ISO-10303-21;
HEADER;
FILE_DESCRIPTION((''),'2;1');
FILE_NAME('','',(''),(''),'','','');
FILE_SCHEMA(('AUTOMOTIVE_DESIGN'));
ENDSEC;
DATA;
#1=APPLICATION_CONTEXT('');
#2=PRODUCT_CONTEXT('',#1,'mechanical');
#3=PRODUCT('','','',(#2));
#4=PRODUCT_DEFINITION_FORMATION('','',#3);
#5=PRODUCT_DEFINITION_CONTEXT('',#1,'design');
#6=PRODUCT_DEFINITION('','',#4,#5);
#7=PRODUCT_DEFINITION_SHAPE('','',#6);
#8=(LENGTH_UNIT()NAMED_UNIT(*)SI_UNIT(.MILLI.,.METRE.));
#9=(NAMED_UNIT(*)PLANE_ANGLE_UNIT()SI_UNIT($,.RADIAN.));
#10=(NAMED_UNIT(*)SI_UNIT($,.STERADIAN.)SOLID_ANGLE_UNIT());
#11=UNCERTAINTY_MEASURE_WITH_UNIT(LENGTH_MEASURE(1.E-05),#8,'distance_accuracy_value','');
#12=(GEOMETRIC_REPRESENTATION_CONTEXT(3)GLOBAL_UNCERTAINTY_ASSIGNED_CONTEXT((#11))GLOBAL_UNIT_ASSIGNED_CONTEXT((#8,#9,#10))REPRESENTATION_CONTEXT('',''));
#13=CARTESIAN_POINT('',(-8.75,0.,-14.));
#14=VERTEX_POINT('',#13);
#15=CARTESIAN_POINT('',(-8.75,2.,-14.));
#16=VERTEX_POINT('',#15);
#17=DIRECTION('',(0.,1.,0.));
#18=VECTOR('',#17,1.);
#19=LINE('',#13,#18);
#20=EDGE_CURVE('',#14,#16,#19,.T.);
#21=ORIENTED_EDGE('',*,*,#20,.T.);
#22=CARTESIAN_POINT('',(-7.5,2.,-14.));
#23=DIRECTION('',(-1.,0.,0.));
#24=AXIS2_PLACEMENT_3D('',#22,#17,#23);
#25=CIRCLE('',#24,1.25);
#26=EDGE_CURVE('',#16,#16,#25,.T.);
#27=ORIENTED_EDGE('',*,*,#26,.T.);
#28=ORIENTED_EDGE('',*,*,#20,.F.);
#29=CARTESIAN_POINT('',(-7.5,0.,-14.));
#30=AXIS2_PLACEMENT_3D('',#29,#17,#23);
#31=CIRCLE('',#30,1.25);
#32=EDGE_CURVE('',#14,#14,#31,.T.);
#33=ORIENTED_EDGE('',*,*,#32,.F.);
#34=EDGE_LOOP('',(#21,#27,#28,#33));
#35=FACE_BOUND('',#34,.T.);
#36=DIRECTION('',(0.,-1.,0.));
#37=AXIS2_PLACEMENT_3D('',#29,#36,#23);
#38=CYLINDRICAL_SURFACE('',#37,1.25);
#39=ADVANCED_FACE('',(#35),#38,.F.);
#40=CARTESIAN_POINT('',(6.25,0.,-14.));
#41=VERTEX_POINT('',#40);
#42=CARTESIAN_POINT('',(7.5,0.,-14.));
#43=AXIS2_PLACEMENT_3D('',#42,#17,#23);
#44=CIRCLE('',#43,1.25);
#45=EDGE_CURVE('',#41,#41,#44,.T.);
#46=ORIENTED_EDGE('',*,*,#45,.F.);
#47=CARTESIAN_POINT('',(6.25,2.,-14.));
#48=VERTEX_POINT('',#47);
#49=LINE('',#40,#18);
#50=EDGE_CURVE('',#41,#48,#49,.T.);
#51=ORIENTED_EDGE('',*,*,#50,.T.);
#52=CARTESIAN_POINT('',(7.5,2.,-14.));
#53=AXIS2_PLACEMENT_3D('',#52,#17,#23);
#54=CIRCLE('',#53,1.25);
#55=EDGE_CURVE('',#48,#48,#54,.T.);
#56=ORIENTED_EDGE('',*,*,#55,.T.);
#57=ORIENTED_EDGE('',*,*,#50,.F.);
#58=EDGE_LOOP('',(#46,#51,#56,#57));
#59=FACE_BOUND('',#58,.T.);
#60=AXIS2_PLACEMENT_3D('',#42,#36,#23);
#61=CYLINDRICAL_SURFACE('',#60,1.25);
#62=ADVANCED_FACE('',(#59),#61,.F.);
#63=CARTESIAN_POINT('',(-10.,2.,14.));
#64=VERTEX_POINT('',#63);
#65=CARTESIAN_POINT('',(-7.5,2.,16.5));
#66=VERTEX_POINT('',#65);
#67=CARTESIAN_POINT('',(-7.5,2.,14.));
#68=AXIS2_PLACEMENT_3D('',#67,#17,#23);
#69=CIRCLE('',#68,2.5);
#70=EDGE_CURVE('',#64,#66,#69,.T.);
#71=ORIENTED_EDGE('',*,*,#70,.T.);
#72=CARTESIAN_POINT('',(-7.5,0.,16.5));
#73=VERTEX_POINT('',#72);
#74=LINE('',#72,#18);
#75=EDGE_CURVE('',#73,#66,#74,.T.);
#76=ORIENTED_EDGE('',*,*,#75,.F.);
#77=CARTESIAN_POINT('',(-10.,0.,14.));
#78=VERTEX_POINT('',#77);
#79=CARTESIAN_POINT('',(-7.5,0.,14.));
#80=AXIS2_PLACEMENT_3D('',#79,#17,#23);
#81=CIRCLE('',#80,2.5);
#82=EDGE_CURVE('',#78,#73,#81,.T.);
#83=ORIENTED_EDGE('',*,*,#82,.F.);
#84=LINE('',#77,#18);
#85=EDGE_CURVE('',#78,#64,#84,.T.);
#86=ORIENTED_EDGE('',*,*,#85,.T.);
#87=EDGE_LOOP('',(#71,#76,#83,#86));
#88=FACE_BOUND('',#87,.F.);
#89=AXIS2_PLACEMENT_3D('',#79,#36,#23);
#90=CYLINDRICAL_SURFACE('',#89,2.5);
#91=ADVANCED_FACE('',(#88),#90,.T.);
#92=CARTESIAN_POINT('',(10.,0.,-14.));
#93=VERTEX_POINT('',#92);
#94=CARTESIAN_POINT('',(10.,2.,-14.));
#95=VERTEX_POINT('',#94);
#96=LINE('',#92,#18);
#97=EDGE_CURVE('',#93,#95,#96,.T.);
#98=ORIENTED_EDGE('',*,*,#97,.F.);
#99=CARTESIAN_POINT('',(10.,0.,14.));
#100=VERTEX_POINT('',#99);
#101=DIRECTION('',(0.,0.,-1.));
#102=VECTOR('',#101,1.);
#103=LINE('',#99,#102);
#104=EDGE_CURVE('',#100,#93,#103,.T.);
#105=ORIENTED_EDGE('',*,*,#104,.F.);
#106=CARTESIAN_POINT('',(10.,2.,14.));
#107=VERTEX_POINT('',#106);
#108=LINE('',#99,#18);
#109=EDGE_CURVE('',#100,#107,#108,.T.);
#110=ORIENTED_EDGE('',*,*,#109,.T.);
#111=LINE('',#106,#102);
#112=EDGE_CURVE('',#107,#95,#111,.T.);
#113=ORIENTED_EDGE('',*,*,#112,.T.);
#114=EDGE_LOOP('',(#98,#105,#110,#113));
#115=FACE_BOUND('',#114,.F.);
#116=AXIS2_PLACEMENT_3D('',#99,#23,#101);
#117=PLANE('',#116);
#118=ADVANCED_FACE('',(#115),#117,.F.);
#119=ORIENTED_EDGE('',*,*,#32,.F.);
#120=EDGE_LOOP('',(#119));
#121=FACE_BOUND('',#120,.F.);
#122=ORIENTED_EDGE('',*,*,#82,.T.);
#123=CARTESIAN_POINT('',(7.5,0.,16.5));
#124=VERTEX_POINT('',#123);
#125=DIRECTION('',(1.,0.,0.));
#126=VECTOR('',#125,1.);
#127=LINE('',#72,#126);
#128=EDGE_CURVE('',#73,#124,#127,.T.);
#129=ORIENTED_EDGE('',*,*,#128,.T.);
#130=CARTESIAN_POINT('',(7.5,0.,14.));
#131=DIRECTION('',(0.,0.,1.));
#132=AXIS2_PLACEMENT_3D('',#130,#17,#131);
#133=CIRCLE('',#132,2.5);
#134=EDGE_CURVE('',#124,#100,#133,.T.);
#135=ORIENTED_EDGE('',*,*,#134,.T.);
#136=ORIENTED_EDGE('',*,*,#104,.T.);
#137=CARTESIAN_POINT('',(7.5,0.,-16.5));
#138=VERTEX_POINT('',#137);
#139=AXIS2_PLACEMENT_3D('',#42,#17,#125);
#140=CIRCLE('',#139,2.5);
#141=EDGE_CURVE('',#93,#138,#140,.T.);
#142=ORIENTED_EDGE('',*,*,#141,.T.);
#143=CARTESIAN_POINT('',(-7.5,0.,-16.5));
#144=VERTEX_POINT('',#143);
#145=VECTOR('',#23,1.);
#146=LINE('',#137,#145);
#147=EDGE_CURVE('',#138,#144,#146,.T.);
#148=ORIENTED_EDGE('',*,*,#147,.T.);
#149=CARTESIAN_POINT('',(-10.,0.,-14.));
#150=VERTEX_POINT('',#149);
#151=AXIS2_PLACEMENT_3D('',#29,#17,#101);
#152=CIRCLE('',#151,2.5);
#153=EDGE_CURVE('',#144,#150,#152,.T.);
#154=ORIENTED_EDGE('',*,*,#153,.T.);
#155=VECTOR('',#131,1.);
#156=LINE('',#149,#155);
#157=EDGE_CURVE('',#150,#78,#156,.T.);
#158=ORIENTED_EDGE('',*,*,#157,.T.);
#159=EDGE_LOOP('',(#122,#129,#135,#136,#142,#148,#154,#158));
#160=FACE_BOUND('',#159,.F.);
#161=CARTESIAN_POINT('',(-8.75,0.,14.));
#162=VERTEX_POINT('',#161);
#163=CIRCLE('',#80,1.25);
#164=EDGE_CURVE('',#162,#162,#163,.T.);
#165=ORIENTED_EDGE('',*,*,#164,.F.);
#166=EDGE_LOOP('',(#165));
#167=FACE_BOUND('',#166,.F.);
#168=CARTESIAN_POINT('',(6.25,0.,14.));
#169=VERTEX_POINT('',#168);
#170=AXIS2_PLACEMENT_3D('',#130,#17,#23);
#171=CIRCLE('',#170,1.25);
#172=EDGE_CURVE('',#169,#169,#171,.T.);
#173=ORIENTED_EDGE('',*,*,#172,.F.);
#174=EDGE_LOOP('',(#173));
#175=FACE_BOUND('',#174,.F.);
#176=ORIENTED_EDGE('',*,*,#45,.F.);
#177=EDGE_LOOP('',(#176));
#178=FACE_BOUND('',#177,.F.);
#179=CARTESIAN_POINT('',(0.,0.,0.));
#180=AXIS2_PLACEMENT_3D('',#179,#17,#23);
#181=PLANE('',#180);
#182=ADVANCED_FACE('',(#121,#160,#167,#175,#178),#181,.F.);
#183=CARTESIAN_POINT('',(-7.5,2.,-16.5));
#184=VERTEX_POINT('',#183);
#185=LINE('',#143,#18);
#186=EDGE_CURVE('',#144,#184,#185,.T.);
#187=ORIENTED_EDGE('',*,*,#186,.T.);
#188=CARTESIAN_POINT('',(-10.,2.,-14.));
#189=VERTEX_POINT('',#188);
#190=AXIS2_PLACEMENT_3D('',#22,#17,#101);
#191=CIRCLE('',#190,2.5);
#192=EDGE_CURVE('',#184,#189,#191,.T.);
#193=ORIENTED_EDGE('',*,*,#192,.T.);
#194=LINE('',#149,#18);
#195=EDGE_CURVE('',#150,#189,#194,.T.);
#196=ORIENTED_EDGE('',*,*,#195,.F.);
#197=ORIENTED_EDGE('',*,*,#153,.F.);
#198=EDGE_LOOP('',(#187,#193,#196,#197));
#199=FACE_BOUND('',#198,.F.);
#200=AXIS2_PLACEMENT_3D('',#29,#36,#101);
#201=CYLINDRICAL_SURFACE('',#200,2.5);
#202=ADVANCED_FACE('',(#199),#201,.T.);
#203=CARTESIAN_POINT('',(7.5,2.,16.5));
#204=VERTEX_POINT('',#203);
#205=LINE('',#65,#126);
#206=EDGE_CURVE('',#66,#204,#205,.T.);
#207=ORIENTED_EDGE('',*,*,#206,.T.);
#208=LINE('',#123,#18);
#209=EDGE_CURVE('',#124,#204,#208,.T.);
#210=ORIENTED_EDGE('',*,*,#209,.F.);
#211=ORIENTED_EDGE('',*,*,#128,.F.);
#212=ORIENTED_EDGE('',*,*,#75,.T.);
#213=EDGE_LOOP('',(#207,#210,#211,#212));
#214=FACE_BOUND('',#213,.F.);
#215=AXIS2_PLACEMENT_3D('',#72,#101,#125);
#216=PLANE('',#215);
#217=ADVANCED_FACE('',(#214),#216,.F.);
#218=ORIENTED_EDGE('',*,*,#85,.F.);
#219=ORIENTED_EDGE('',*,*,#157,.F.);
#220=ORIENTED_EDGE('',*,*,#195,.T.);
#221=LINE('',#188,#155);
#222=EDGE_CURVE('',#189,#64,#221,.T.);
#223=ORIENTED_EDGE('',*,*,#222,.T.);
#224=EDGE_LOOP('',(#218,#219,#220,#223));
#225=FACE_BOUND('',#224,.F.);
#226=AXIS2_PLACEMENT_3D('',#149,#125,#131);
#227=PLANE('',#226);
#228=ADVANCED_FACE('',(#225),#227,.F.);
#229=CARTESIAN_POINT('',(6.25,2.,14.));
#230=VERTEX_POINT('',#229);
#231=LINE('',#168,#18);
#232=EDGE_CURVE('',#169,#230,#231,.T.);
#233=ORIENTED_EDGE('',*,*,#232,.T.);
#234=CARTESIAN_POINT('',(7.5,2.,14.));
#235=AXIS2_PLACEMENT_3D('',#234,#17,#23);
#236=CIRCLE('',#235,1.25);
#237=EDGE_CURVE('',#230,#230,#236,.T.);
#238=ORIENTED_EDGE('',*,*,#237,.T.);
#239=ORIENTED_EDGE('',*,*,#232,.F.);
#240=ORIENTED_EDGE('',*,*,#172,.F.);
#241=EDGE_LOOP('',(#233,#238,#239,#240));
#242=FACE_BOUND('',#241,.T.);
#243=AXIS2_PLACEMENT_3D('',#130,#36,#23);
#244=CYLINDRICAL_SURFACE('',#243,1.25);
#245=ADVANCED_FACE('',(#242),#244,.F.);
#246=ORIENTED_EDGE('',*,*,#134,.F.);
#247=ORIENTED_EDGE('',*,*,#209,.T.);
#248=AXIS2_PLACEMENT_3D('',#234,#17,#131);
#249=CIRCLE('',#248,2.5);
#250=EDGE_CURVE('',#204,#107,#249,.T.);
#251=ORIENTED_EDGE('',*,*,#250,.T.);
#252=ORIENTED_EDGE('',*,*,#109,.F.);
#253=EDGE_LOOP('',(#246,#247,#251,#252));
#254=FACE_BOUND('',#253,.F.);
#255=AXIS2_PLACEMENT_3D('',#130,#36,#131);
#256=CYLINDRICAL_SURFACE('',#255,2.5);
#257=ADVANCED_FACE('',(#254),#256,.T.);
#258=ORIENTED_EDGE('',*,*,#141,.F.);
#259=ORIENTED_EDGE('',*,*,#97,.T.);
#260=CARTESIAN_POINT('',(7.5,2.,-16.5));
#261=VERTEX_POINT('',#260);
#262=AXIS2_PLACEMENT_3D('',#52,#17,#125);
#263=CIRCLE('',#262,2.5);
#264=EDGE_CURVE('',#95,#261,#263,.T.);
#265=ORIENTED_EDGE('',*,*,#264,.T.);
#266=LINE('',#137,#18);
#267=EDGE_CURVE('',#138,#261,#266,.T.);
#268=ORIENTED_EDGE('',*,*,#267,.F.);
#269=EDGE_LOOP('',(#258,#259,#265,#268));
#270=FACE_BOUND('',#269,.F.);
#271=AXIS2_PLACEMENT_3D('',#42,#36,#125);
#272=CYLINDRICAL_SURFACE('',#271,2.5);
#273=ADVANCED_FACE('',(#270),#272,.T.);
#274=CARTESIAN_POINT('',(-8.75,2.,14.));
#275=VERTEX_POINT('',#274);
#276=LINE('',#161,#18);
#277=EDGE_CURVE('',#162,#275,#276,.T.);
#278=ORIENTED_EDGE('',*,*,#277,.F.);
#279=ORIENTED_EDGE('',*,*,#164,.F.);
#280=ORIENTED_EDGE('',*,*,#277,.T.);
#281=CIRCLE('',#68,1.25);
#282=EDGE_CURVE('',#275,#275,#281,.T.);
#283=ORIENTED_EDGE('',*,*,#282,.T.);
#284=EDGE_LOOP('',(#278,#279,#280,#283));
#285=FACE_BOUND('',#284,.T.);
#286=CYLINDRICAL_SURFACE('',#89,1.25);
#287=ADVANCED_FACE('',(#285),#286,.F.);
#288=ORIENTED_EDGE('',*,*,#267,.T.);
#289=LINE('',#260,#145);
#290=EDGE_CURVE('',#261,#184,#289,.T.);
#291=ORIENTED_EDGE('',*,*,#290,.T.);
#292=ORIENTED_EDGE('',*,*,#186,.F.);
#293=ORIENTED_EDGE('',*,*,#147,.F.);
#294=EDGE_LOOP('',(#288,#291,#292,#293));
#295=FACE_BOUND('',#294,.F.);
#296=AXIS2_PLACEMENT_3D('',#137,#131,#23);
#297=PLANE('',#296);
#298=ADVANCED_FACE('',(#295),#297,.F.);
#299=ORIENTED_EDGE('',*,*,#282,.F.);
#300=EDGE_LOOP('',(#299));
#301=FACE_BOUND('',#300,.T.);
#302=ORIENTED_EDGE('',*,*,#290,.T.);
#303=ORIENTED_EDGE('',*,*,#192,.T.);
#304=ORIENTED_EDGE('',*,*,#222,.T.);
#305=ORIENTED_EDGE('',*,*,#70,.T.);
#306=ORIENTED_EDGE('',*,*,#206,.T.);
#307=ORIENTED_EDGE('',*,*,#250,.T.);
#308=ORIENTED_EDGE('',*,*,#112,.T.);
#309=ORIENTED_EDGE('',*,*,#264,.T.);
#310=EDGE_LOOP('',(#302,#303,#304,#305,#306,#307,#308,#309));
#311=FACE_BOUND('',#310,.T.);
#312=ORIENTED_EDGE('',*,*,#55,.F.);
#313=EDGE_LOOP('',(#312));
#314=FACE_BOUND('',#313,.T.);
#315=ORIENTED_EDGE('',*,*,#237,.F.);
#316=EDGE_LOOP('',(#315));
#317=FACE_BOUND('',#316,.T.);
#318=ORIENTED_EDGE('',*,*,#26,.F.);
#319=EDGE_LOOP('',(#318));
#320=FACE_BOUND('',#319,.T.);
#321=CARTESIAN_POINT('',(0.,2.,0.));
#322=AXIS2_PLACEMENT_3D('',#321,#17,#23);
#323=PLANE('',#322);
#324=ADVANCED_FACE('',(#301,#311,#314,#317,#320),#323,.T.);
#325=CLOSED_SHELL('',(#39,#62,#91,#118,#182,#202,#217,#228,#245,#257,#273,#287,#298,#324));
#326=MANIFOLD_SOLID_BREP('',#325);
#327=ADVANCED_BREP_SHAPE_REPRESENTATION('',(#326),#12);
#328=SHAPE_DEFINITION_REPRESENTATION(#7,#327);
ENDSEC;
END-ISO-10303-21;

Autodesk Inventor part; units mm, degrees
ref_plane "YZ Plane" through (0, 0, 0) normal (1, 0, 0) x (0, 1, 0)
ref_plane "XZ Plane" through (0, 0, 0) normal (0, 1, 0) x (-1, 0, 0)
ref_plane "XY Plane" through (0, 0, 0) normal (0, 0, 1) x (1, 0, 0)
sketch "Sketch1" plane through (0, 0, 0) normal (0, 1, 0) x (-1, 0, 0)
  line L0 (-10, 14) -> (-10, -14)
  line L1 (-7.5, -16.5) -> (7.5, -16.5)
  line L2 (10, -14) -> (10, 14)
  line L3 (7.5, 16.5) -> (-7.5, 16.5)
  line L4 (-10, 16.5) -> (10, -16.5) construction
  line L5 (-10, -16.5) -> (10, 16.5) construction
  arc A0 (10, 14) -> (7.5, 16.5) centre (7.5, 14) ccw
  arc A1 (7.5, -16.5) -> (10, -14) centre (7.5, -14) ccw
  arc A2 (-10, -14) -> (-7.5, -16.5) centre (-7.5, -14) ccw
  arc A3 (-7.5, 16.5) -> (-10, 14) centre (-7.5, 14) ccw
  circle A4 centre (7.5, 14) radius 1.25
  circle A5 centre (-7.5, 14) radius 1.25
  circle A6 centre (-7.5, -14) radius 1.25
  circle A7 centre (7.5, -14) radius 1.25
  point P0 (0, 0)
  dimension "d0" = 33
  dimension "d1" = 20
  dimension "d2" = 2.5
  dimension "d3" = 2.5
  dimension "d4" = 2.5
  dimension "d5" = 2.5
  dimension "d6" = 2.5
extrude "Extrusion1" add sketch "Sketch1" along normal blind 2
sketch "Sketch2" plane through (0, 2, 0) normal (0, 1, 0) x (1, 0, 0)
  line L0 (-17.9692, -32.7187) -> (-17.5216, 33.3599) construction
  line L1 (-17.5216, 33.3599) -> (32.0714, 33.0239) construction
  line L2 (32.0714, 33.0239) -> (31.6238, -33.0546) construction
  line L3 (31.6238, -33.0546) -> (-17.9692, -32.7187) construction
  circle A0 centre (-7.5, 14) radius 1.25 projected
  circle A1 centre (7.5, 14) radius 1.25 projected
  circle A2 centre (7.5, -14) radius 1.25 projected
  circle A3 centre (-7.5, -14) radius 1.25 projected
  line L4 (-10, 14) -> (-10, -14) projected
  arc A4 (-10, -14) -> (-7.5, -16.5) centre (-7.5, -14) ccw projected
  line L5 (-7.5, -16.5) -> (7.5, -16.5) projected
  arc A5 (7.5, -16.5) -> (10, -14) centre (7.5, -14) ccw projected
  line L6 (10, -14) -> (10, 14) projected
  arc A6 (10, 14) -> (7.5, 16.5) centre (7.5, 14) ccw projected
  line L7 (7.5, 16.5) -> (-7.5, 16.5) projected
  arc A7 (-7.5, 16.5) -> (-10, 14) centre (-7.5, 14) ccw projected
  point P0 (0, 0)
decal "Decal1"
sketch "Sketch3" plane through (0, 0, 0) normal (0, -1, 0) x (1, 0, 0)
  circle A0 centre (-7.5, -14) radius 1.25 projected
  circle A1 centre (7.5, -14) radius 1.25 projected
  circle A2 centre (7.5, 14) radius 1.25 projected
  circle A3 centre (-7.5, 14) radius 1.25 projected
  line L0 (-10, 14) -> (-10, -14) projected
  arc A4 (-10, -14) -> (-7.5, -16.5) centre (-7.5, -14) ccw projected
  line L1 (-7.5, -16.5) -> (7.5, -16.5) projected
  arc A5 (7.5, -16.5) -> (10, -14) centre (7.5, -14) ccw projected
  line L2 (10, -14) -> (10, 14) projected
  arc A6 (10, 14) -> (7.5, 16.5) centre (7.5, 14) ccw projected
  line L3 (7.5, 16.5) -> (-7.5, 16.5) projected
  arc A7 (-7.5, 16.5) -> (-10, 14) centre (-7.5, 14) ccw projected
  line L4 (-25.6164, -20.5771) -> (-25.6164, 49.1548) construction
  line L5 (-25.6164, 49.1548) -> (26.7185, 49.1548) construction
  line L6 (26.7185, 49.1548) -> (26.7185, -20.5771) construction
  line L7 (26.7185, -20.5771) -> (-25.6164, -20.5771) construction
  line L8 (-7.5, 16.5) -> (7.5, 16.5) projected
  line L9 (0, 16.5) -> (0, 0)
decal "Decal2"
properties part number "Adafruit Compass"
